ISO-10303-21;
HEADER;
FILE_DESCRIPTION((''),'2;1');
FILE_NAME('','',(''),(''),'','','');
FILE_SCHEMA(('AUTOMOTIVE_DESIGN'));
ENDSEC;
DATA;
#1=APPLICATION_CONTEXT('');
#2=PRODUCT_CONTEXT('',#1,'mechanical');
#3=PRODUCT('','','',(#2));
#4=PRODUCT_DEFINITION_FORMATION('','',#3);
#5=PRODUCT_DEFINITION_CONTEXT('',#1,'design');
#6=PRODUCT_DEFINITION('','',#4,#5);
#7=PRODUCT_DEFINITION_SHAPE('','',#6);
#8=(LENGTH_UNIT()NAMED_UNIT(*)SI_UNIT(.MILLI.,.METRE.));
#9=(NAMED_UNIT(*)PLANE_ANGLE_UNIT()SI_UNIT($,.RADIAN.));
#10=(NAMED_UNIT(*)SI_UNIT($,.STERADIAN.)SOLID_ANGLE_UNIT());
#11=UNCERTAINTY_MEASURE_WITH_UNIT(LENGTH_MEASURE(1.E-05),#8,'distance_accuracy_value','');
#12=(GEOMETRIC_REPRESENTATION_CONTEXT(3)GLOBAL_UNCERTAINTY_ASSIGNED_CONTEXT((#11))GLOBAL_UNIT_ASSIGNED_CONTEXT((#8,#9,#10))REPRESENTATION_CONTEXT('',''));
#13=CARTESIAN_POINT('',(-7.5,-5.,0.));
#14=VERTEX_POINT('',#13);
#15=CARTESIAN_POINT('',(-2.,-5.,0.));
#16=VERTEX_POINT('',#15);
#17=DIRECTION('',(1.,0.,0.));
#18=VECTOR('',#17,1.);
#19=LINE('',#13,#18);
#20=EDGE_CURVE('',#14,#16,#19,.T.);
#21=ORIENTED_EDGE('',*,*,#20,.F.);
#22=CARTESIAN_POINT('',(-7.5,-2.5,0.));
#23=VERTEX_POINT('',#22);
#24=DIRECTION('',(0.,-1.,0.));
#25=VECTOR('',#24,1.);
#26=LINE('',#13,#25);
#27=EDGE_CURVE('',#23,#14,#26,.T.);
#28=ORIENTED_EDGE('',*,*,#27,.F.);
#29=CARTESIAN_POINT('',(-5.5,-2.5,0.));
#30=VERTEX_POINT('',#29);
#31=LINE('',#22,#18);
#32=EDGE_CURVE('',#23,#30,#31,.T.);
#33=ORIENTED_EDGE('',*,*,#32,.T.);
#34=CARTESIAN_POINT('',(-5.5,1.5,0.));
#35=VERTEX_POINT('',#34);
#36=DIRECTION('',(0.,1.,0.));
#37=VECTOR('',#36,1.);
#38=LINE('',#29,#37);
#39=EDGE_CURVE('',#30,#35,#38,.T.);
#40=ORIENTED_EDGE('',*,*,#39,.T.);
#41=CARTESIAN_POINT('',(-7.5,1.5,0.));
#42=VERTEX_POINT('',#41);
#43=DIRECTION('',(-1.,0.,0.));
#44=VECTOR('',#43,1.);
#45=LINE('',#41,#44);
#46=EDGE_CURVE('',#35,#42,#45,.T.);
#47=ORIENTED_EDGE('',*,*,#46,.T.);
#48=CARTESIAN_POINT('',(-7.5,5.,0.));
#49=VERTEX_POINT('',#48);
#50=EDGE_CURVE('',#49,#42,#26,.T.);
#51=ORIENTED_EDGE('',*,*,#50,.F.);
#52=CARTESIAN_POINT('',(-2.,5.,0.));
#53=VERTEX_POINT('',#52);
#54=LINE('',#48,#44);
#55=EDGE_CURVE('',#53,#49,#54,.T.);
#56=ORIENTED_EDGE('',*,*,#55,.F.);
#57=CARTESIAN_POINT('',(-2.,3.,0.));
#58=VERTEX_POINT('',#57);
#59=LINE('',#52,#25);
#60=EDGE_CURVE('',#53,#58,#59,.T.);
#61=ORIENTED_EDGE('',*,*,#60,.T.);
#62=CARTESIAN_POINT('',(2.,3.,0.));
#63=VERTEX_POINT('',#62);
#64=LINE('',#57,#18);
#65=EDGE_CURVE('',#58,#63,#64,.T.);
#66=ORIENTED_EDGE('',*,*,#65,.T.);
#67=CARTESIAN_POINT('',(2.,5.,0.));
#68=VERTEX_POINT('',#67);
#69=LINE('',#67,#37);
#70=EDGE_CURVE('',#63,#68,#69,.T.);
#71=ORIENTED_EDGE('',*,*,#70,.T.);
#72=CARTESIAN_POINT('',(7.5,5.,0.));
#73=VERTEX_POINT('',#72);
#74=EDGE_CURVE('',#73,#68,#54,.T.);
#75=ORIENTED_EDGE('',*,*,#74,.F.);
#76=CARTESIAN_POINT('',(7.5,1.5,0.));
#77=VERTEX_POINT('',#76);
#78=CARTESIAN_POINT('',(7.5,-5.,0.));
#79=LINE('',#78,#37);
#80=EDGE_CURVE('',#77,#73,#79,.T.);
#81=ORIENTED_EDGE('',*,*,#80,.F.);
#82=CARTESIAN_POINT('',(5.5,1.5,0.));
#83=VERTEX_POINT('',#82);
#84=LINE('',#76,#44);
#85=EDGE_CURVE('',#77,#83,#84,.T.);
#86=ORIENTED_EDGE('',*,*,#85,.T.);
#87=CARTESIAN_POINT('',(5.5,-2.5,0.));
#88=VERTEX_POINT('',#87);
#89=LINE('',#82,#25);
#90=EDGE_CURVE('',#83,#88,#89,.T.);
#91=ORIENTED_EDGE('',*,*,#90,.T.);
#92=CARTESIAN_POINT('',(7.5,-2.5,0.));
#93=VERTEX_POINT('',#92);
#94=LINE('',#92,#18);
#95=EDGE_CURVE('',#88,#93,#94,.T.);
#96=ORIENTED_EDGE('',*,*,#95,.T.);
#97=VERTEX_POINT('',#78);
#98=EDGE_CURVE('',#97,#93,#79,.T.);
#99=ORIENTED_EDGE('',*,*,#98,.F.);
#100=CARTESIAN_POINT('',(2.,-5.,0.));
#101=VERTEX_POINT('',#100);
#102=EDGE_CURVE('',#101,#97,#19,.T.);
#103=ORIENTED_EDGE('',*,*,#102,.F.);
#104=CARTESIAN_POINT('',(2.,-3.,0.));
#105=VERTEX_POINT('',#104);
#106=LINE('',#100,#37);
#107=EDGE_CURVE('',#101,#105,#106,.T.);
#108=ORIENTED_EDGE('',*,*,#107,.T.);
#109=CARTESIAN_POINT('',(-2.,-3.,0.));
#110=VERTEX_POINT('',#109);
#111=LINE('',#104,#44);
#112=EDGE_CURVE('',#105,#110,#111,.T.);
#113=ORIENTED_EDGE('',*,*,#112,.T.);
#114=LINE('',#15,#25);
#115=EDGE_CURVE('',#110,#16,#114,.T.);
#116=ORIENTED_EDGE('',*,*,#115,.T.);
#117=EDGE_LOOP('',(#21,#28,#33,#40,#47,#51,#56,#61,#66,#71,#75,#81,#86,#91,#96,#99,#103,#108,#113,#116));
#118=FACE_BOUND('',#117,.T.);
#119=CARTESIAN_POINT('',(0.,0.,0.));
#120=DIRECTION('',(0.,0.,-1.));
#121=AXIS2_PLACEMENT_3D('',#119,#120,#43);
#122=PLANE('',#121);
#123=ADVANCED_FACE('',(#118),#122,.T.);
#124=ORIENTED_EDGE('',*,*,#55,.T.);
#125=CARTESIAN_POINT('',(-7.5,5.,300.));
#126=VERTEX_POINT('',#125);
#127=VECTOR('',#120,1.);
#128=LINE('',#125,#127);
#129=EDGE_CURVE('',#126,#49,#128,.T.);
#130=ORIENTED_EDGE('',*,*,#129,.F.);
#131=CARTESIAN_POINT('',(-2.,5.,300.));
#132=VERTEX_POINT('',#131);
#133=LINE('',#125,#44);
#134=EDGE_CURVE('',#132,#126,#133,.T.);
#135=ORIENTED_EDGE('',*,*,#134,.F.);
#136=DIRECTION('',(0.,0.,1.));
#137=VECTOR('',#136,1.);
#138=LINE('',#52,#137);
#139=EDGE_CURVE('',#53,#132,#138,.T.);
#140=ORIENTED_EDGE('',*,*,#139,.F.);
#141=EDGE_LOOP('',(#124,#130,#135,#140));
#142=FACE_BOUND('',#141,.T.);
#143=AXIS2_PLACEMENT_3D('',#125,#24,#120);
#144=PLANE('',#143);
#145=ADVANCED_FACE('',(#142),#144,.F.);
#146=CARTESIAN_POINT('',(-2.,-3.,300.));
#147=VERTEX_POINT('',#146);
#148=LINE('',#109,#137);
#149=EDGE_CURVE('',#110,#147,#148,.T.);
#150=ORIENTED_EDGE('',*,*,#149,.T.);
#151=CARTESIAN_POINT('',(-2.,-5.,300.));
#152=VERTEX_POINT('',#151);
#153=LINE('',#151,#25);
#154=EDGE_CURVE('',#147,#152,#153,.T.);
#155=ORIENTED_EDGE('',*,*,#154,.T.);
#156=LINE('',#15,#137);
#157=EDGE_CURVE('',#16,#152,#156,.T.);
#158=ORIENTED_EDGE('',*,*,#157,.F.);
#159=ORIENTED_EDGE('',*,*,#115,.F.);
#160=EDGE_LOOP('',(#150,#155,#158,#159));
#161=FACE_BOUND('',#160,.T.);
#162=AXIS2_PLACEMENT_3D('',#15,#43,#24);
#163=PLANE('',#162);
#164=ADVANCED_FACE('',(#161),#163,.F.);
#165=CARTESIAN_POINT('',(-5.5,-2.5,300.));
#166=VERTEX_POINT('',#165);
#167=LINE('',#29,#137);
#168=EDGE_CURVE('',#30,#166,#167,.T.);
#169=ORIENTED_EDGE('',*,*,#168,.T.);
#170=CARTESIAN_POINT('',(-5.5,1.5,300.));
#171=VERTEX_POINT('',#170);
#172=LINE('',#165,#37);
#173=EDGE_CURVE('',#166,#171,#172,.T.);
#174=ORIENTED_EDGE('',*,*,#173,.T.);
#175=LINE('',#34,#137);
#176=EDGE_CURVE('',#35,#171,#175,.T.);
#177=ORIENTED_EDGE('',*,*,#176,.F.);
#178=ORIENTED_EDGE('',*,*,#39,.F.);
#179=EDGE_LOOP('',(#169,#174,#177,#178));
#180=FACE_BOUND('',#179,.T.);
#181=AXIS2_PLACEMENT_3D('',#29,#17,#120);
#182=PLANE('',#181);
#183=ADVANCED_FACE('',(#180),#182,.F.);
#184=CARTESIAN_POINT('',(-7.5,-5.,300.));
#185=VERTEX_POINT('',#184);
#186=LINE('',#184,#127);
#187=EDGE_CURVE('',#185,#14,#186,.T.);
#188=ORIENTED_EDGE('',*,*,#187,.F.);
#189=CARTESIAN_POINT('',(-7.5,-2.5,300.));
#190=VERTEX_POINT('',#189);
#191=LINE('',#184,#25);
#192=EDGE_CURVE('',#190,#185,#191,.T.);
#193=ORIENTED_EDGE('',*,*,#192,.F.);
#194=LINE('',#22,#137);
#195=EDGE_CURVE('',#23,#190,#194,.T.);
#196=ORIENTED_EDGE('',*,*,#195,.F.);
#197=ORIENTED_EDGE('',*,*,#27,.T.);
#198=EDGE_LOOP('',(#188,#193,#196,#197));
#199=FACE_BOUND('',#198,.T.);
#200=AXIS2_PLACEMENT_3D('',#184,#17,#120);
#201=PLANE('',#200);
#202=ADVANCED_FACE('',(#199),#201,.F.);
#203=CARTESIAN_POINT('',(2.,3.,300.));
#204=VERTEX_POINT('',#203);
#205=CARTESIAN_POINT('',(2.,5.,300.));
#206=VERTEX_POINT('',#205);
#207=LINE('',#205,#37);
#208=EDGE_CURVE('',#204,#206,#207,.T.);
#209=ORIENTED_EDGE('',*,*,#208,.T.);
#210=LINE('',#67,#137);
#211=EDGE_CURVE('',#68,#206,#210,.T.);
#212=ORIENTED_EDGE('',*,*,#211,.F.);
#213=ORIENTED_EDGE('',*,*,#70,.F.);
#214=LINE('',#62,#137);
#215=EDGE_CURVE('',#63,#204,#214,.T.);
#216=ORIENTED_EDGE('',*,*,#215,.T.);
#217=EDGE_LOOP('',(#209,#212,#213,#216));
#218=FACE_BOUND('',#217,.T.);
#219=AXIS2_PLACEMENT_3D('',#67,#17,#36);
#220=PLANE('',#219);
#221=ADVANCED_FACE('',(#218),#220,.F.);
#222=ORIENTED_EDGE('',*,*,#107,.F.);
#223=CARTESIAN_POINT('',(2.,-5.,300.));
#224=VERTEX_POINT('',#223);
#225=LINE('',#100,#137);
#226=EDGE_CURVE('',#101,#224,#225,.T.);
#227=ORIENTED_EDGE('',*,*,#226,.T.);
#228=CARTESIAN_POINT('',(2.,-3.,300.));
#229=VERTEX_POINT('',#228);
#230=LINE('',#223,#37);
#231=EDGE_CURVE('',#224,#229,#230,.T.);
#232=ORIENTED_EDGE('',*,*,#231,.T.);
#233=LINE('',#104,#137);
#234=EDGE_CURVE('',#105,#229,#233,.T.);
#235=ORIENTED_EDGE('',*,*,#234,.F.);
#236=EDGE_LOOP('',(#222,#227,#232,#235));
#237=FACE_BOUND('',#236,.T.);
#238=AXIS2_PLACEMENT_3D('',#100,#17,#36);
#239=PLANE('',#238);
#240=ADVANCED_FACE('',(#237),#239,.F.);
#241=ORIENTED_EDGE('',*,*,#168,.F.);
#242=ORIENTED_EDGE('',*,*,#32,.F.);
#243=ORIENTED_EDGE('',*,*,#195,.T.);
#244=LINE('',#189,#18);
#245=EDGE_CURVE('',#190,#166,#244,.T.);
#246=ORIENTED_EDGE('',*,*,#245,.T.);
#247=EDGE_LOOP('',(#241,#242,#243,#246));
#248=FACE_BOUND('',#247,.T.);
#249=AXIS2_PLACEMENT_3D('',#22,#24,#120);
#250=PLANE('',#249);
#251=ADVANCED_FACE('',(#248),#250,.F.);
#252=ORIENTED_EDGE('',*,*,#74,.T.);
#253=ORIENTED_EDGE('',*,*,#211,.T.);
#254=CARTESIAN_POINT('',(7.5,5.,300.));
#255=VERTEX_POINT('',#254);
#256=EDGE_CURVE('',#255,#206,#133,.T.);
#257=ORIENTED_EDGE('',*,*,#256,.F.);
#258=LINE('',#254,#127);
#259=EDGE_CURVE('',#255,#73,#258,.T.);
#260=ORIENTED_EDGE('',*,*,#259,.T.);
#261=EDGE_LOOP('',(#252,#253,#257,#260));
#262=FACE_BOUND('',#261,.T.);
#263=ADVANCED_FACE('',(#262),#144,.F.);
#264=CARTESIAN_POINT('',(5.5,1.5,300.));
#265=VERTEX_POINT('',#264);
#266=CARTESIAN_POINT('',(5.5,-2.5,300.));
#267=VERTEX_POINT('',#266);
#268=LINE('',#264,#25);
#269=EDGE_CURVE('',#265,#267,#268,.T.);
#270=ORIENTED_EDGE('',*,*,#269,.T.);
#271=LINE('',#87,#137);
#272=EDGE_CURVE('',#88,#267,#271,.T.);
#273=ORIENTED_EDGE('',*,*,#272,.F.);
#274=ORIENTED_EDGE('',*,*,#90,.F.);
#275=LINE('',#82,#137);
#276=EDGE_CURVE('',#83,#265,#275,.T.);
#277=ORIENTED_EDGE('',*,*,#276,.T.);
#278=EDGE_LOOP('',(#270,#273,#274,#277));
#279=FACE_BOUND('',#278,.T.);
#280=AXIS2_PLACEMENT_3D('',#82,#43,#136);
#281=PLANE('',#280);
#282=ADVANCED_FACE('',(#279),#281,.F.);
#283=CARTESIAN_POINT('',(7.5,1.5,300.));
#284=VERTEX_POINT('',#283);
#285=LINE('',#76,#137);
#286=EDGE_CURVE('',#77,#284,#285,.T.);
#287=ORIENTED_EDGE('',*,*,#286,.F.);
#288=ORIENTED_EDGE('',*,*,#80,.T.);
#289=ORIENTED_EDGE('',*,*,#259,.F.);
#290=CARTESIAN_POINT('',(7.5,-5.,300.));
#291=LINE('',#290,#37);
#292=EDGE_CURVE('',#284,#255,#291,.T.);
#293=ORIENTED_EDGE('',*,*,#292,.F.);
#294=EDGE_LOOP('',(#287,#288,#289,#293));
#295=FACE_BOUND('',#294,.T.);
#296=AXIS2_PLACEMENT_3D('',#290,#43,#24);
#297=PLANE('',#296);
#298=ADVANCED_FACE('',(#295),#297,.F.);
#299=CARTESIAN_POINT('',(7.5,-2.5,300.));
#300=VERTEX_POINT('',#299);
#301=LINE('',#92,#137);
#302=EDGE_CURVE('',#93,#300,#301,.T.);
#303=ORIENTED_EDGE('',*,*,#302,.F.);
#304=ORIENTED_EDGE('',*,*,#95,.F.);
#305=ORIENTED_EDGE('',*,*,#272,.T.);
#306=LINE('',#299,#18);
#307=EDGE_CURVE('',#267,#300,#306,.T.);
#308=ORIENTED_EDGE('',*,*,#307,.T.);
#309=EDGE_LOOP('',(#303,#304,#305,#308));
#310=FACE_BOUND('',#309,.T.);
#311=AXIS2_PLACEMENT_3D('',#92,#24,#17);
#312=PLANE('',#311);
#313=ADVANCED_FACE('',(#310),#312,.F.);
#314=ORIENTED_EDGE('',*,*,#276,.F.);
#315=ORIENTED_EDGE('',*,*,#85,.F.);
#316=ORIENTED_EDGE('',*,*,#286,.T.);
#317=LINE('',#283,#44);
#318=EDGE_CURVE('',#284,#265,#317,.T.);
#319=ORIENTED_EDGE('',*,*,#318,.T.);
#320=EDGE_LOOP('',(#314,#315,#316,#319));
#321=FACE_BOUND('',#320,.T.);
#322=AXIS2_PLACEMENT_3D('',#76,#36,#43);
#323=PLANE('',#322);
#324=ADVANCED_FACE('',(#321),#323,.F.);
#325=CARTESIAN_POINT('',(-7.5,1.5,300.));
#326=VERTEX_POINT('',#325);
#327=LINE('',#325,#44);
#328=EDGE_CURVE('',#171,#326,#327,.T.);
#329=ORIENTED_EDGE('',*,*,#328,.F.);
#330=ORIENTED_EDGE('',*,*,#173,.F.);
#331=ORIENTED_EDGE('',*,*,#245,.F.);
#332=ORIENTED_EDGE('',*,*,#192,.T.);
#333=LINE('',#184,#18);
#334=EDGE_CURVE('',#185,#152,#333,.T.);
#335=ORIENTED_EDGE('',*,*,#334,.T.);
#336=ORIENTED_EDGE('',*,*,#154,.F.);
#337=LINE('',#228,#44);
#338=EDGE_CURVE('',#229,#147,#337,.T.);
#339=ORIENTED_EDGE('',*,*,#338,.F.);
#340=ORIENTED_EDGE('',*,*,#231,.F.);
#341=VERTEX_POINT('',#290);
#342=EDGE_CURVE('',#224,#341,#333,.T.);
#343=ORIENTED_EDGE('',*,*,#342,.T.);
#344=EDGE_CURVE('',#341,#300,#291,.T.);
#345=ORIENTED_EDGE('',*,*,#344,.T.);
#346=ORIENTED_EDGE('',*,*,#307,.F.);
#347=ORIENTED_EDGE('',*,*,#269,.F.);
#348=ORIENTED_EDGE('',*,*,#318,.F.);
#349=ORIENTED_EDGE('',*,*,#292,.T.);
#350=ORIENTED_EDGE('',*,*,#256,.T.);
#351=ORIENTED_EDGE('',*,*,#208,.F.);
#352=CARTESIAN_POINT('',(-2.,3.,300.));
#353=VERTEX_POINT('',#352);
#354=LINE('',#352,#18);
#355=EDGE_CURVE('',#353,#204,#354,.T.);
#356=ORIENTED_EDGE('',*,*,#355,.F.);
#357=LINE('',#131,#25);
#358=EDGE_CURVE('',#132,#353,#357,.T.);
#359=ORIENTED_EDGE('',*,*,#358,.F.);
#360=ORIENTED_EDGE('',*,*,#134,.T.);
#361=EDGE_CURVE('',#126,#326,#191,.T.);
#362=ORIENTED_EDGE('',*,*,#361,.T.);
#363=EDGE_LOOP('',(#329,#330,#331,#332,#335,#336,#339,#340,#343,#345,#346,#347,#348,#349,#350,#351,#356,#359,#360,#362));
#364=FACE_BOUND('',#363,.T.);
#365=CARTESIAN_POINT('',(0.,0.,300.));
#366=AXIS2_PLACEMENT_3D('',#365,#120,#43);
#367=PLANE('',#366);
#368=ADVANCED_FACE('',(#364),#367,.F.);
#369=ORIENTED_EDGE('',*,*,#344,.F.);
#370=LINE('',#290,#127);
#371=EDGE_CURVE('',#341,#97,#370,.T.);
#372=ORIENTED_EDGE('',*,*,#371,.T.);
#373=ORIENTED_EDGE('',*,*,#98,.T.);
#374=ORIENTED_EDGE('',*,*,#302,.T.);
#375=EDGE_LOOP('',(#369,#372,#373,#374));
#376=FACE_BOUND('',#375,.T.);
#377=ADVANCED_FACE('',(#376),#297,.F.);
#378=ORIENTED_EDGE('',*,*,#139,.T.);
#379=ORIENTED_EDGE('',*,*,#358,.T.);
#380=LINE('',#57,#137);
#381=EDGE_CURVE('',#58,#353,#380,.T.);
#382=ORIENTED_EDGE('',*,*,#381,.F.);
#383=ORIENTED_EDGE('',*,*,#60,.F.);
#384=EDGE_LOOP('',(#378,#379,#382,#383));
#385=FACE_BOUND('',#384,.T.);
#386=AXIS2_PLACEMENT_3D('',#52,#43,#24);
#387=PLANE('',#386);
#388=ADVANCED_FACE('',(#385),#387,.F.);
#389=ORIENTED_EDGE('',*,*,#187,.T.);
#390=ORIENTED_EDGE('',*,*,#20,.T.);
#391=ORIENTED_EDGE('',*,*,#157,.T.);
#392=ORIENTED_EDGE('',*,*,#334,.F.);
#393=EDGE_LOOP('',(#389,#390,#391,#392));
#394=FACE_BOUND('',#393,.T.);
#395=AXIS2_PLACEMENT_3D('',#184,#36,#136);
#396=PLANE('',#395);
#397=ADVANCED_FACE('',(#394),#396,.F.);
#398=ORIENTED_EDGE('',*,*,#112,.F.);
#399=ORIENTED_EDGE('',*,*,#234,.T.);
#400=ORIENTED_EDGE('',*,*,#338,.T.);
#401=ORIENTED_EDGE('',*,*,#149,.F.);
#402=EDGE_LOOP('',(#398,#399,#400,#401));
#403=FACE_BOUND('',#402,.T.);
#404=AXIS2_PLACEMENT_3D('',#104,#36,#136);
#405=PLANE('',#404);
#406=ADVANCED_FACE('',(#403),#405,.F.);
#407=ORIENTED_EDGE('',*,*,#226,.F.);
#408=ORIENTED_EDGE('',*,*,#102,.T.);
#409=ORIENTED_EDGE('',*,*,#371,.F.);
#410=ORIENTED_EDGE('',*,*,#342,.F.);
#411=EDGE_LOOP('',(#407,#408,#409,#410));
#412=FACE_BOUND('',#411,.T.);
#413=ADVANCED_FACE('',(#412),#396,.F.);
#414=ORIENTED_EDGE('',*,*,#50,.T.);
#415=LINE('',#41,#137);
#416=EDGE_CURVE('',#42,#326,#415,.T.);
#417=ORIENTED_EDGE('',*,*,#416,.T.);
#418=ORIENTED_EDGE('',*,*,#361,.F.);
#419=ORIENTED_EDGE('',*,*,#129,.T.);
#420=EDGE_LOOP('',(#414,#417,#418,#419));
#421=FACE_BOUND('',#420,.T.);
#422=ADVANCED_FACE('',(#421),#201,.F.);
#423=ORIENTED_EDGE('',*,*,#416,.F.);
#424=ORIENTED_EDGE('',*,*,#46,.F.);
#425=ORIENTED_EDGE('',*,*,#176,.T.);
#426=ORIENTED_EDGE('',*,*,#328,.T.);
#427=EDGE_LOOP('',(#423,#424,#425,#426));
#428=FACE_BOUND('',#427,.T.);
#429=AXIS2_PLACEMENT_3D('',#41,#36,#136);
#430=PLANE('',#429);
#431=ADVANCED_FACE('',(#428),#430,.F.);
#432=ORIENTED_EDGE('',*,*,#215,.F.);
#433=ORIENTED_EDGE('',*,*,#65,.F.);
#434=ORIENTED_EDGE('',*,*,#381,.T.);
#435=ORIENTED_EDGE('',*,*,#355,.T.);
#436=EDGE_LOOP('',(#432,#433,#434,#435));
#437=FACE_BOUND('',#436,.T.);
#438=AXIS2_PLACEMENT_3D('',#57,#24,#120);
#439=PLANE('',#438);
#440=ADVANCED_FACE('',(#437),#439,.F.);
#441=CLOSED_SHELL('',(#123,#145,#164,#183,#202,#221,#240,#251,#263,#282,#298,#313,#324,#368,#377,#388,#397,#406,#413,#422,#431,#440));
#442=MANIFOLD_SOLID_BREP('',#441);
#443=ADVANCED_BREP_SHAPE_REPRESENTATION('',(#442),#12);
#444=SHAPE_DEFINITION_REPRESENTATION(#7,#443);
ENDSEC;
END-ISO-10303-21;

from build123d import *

# Parameters (mm, degrees)
SKETCH2_W           = 15
SKETCH2_H           = 10
BOSS_EXTRUDE2_DEPTH = 300
SKETCH5_W           = 4
SKETCH5_H           = 2
SKETCH5_W_2         = 2
SKETCH5_H_2         = 4
CUT_EXTRUDE1_DEPTH  = 301.135386118


with BuildPart() as part:
    # Sketch2 → Boss-Extrude2 (new body)
    with BuildSketch(Plane.XY):
        Rectangle(SKETCH2_W, SKETCH2_H)
    extrude(amount=BOSS_EXTRUDE2_DEPTH)

    # Sketch5 → Cut-Extrude1 (cut, through all)
    with BuildSketch(Plane.XY.offset(300)):
        with Locations((0, 4)):
            Rectangle(SKETCH5_W, SKETCH5_H)
        with Locations((6.5, -0.5)):
            Rectangle(SKETCH5_W_2, SKETCH5_H_2)
        with Locations((0, -4)):
            Rectangle(SKETCH5_W, SKETCH5_H)
        with Locations((-6.5, -0.5)):
            Rectangle(SKETCH5_W_2, SKETCH5_H_2)
    extrude(amount=-CUT_EXTRUDE1_DEPTH, mode=Mode.SUBTRACT)


solid = part.part
